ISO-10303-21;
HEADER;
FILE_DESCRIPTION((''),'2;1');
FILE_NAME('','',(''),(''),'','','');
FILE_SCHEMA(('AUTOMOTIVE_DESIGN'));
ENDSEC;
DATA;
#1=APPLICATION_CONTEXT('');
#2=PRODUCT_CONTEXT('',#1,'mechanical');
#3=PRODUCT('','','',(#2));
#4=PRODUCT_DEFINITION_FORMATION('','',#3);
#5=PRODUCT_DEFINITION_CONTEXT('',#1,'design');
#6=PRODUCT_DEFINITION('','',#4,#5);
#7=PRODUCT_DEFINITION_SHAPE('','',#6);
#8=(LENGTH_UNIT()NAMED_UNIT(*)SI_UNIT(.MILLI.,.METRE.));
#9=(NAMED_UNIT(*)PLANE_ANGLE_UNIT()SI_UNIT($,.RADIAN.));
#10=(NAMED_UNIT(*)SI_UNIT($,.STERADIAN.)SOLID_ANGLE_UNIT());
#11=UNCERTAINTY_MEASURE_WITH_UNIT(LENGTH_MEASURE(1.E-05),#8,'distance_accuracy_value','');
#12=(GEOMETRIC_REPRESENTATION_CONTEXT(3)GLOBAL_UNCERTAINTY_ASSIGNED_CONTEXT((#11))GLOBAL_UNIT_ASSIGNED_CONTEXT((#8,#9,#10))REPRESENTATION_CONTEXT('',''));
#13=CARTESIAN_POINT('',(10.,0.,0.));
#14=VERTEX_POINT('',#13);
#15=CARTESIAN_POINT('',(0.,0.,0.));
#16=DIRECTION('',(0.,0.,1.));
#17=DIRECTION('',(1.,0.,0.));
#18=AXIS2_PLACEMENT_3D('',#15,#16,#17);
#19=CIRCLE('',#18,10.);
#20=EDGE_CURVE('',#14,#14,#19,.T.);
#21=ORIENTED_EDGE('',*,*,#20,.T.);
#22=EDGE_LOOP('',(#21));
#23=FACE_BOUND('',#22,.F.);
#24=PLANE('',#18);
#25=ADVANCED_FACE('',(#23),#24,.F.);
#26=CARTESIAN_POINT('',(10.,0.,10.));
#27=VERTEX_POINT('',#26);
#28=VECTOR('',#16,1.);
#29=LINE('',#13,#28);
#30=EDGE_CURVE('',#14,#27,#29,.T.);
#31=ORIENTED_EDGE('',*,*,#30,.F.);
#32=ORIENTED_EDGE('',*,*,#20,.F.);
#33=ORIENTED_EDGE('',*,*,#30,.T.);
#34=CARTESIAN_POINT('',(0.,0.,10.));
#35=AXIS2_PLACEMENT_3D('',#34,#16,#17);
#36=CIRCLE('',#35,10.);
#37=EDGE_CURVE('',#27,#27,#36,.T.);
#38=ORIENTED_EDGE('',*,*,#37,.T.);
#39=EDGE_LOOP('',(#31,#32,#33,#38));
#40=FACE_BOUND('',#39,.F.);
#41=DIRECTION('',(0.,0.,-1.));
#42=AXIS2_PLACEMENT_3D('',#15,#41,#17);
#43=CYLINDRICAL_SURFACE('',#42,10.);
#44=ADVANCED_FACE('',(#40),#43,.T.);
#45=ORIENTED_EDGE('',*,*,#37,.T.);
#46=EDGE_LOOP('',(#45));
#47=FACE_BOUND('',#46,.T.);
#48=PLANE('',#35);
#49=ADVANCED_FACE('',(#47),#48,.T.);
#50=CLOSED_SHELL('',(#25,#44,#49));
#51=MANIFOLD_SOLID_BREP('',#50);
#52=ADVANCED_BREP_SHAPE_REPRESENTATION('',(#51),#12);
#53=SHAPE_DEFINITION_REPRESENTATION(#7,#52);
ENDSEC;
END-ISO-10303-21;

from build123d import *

# Parameters (mm, degrees)
CYLINDER_R     = 10
CYLINDER_DEPTH = 10


with BuildPart() as part:
    # Cylinder → Cylinder (new body)
    with BuildSketch(Plane.XY):
        Circle(CYLINDER_R)
    extrude(amount=CYLINDER_DEPTH)


solid = part.part
